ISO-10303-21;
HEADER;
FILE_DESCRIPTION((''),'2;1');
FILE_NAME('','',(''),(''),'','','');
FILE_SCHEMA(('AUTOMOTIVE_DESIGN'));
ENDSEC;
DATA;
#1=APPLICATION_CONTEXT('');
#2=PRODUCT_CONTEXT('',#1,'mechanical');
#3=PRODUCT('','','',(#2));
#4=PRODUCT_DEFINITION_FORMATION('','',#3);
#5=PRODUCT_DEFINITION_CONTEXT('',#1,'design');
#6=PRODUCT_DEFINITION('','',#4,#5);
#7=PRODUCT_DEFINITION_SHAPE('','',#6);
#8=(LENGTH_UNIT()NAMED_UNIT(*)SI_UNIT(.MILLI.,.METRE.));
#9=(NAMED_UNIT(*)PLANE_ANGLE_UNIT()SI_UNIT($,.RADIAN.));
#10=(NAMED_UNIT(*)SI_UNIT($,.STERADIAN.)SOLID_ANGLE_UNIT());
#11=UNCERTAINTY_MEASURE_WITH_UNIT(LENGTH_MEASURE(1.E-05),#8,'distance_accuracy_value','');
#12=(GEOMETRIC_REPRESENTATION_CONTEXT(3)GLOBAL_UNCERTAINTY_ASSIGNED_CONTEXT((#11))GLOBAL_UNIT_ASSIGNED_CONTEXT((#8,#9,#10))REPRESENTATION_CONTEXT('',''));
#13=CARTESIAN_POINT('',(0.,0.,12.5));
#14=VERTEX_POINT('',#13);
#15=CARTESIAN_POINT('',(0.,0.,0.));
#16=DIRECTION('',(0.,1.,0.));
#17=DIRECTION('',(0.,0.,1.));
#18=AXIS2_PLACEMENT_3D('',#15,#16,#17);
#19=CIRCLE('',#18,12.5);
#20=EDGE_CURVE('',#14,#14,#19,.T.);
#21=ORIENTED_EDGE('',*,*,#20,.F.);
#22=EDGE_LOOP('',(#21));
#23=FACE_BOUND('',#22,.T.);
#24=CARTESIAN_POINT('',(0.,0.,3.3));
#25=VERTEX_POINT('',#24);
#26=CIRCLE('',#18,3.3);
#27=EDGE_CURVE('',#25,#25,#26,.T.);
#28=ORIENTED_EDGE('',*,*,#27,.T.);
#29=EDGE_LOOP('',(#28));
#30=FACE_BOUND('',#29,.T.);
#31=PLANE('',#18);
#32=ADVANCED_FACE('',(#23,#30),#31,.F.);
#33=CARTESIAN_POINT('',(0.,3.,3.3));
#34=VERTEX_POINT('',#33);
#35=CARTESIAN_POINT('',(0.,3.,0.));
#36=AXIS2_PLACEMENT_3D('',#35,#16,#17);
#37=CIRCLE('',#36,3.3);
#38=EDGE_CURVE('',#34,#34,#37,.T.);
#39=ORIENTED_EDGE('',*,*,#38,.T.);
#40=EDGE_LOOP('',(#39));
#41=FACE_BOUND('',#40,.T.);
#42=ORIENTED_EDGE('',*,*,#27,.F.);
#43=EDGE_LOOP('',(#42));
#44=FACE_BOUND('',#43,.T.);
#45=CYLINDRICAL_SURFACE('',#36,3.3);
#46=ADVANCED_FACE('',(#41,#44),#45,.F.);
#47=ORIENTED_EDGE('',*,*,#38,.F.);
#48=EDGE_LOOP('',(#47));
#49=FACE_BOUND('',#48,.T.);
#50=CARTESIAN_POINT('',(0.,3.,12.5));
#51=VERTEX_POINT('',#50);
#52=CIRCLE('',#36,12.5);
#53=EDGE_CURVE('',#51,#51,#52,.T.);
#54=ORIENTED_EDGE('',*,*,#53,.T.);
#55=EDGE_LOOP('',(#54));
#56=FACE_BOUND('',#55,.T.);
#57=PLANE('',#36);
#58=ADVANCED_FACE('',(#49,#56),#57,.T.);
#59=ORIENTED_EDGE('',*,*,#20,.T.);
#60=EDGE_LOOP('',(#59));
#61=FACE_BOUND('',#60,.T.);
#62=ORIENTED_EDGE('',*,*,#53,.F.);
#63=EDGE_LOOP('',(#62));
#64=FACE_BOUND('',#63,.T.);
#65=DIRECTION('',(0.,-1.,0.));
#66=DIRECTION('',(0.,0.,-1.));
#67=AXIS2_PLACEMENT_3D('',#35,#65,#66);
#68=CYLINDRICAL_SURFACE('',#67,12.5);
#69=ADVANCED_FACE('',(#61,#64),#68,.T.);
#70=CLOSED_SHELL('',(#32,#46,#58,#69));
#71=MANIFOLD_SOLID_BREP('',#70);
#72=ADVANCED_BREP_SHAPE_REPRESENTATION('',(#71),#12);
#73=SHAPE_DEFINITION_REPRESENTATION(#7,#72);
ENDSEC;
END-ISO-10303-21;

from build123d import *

# Parameters (mm, degrees)
ESBO_O1_R                = 12.5
RESSALTO_EXTRUS_O1_DEPTH = 3
FURO_COM_FOLGA_DE_M61_D  = 6.6


with BuildPart() as part:
    # Esboço1 → Ressalto-extrusão1 (new body)
    with BuildSketch(Plane(origin=(0, 0, 0), x_dir=(1, 0, 0), z_dir=(0, 1, 0))):
        with Locations(Location((0, 0, 0), (0, 0, 270))):
            Circle(ESBO_O1_R)
    extrude(amount=RESSALTO_EXTRUS_O1_DEPTH)

    # Furo com folga de M61 (through all)
    with Locations(Plane(origin=(0, 3, 0), x_dir=(1, 0, 0), z_dir=(0, 1, 0))):
        with Locations((0, 0)):
            Hole(FURO_COM_FOLGA_DE_M61_D / 2)


solid = part.part
